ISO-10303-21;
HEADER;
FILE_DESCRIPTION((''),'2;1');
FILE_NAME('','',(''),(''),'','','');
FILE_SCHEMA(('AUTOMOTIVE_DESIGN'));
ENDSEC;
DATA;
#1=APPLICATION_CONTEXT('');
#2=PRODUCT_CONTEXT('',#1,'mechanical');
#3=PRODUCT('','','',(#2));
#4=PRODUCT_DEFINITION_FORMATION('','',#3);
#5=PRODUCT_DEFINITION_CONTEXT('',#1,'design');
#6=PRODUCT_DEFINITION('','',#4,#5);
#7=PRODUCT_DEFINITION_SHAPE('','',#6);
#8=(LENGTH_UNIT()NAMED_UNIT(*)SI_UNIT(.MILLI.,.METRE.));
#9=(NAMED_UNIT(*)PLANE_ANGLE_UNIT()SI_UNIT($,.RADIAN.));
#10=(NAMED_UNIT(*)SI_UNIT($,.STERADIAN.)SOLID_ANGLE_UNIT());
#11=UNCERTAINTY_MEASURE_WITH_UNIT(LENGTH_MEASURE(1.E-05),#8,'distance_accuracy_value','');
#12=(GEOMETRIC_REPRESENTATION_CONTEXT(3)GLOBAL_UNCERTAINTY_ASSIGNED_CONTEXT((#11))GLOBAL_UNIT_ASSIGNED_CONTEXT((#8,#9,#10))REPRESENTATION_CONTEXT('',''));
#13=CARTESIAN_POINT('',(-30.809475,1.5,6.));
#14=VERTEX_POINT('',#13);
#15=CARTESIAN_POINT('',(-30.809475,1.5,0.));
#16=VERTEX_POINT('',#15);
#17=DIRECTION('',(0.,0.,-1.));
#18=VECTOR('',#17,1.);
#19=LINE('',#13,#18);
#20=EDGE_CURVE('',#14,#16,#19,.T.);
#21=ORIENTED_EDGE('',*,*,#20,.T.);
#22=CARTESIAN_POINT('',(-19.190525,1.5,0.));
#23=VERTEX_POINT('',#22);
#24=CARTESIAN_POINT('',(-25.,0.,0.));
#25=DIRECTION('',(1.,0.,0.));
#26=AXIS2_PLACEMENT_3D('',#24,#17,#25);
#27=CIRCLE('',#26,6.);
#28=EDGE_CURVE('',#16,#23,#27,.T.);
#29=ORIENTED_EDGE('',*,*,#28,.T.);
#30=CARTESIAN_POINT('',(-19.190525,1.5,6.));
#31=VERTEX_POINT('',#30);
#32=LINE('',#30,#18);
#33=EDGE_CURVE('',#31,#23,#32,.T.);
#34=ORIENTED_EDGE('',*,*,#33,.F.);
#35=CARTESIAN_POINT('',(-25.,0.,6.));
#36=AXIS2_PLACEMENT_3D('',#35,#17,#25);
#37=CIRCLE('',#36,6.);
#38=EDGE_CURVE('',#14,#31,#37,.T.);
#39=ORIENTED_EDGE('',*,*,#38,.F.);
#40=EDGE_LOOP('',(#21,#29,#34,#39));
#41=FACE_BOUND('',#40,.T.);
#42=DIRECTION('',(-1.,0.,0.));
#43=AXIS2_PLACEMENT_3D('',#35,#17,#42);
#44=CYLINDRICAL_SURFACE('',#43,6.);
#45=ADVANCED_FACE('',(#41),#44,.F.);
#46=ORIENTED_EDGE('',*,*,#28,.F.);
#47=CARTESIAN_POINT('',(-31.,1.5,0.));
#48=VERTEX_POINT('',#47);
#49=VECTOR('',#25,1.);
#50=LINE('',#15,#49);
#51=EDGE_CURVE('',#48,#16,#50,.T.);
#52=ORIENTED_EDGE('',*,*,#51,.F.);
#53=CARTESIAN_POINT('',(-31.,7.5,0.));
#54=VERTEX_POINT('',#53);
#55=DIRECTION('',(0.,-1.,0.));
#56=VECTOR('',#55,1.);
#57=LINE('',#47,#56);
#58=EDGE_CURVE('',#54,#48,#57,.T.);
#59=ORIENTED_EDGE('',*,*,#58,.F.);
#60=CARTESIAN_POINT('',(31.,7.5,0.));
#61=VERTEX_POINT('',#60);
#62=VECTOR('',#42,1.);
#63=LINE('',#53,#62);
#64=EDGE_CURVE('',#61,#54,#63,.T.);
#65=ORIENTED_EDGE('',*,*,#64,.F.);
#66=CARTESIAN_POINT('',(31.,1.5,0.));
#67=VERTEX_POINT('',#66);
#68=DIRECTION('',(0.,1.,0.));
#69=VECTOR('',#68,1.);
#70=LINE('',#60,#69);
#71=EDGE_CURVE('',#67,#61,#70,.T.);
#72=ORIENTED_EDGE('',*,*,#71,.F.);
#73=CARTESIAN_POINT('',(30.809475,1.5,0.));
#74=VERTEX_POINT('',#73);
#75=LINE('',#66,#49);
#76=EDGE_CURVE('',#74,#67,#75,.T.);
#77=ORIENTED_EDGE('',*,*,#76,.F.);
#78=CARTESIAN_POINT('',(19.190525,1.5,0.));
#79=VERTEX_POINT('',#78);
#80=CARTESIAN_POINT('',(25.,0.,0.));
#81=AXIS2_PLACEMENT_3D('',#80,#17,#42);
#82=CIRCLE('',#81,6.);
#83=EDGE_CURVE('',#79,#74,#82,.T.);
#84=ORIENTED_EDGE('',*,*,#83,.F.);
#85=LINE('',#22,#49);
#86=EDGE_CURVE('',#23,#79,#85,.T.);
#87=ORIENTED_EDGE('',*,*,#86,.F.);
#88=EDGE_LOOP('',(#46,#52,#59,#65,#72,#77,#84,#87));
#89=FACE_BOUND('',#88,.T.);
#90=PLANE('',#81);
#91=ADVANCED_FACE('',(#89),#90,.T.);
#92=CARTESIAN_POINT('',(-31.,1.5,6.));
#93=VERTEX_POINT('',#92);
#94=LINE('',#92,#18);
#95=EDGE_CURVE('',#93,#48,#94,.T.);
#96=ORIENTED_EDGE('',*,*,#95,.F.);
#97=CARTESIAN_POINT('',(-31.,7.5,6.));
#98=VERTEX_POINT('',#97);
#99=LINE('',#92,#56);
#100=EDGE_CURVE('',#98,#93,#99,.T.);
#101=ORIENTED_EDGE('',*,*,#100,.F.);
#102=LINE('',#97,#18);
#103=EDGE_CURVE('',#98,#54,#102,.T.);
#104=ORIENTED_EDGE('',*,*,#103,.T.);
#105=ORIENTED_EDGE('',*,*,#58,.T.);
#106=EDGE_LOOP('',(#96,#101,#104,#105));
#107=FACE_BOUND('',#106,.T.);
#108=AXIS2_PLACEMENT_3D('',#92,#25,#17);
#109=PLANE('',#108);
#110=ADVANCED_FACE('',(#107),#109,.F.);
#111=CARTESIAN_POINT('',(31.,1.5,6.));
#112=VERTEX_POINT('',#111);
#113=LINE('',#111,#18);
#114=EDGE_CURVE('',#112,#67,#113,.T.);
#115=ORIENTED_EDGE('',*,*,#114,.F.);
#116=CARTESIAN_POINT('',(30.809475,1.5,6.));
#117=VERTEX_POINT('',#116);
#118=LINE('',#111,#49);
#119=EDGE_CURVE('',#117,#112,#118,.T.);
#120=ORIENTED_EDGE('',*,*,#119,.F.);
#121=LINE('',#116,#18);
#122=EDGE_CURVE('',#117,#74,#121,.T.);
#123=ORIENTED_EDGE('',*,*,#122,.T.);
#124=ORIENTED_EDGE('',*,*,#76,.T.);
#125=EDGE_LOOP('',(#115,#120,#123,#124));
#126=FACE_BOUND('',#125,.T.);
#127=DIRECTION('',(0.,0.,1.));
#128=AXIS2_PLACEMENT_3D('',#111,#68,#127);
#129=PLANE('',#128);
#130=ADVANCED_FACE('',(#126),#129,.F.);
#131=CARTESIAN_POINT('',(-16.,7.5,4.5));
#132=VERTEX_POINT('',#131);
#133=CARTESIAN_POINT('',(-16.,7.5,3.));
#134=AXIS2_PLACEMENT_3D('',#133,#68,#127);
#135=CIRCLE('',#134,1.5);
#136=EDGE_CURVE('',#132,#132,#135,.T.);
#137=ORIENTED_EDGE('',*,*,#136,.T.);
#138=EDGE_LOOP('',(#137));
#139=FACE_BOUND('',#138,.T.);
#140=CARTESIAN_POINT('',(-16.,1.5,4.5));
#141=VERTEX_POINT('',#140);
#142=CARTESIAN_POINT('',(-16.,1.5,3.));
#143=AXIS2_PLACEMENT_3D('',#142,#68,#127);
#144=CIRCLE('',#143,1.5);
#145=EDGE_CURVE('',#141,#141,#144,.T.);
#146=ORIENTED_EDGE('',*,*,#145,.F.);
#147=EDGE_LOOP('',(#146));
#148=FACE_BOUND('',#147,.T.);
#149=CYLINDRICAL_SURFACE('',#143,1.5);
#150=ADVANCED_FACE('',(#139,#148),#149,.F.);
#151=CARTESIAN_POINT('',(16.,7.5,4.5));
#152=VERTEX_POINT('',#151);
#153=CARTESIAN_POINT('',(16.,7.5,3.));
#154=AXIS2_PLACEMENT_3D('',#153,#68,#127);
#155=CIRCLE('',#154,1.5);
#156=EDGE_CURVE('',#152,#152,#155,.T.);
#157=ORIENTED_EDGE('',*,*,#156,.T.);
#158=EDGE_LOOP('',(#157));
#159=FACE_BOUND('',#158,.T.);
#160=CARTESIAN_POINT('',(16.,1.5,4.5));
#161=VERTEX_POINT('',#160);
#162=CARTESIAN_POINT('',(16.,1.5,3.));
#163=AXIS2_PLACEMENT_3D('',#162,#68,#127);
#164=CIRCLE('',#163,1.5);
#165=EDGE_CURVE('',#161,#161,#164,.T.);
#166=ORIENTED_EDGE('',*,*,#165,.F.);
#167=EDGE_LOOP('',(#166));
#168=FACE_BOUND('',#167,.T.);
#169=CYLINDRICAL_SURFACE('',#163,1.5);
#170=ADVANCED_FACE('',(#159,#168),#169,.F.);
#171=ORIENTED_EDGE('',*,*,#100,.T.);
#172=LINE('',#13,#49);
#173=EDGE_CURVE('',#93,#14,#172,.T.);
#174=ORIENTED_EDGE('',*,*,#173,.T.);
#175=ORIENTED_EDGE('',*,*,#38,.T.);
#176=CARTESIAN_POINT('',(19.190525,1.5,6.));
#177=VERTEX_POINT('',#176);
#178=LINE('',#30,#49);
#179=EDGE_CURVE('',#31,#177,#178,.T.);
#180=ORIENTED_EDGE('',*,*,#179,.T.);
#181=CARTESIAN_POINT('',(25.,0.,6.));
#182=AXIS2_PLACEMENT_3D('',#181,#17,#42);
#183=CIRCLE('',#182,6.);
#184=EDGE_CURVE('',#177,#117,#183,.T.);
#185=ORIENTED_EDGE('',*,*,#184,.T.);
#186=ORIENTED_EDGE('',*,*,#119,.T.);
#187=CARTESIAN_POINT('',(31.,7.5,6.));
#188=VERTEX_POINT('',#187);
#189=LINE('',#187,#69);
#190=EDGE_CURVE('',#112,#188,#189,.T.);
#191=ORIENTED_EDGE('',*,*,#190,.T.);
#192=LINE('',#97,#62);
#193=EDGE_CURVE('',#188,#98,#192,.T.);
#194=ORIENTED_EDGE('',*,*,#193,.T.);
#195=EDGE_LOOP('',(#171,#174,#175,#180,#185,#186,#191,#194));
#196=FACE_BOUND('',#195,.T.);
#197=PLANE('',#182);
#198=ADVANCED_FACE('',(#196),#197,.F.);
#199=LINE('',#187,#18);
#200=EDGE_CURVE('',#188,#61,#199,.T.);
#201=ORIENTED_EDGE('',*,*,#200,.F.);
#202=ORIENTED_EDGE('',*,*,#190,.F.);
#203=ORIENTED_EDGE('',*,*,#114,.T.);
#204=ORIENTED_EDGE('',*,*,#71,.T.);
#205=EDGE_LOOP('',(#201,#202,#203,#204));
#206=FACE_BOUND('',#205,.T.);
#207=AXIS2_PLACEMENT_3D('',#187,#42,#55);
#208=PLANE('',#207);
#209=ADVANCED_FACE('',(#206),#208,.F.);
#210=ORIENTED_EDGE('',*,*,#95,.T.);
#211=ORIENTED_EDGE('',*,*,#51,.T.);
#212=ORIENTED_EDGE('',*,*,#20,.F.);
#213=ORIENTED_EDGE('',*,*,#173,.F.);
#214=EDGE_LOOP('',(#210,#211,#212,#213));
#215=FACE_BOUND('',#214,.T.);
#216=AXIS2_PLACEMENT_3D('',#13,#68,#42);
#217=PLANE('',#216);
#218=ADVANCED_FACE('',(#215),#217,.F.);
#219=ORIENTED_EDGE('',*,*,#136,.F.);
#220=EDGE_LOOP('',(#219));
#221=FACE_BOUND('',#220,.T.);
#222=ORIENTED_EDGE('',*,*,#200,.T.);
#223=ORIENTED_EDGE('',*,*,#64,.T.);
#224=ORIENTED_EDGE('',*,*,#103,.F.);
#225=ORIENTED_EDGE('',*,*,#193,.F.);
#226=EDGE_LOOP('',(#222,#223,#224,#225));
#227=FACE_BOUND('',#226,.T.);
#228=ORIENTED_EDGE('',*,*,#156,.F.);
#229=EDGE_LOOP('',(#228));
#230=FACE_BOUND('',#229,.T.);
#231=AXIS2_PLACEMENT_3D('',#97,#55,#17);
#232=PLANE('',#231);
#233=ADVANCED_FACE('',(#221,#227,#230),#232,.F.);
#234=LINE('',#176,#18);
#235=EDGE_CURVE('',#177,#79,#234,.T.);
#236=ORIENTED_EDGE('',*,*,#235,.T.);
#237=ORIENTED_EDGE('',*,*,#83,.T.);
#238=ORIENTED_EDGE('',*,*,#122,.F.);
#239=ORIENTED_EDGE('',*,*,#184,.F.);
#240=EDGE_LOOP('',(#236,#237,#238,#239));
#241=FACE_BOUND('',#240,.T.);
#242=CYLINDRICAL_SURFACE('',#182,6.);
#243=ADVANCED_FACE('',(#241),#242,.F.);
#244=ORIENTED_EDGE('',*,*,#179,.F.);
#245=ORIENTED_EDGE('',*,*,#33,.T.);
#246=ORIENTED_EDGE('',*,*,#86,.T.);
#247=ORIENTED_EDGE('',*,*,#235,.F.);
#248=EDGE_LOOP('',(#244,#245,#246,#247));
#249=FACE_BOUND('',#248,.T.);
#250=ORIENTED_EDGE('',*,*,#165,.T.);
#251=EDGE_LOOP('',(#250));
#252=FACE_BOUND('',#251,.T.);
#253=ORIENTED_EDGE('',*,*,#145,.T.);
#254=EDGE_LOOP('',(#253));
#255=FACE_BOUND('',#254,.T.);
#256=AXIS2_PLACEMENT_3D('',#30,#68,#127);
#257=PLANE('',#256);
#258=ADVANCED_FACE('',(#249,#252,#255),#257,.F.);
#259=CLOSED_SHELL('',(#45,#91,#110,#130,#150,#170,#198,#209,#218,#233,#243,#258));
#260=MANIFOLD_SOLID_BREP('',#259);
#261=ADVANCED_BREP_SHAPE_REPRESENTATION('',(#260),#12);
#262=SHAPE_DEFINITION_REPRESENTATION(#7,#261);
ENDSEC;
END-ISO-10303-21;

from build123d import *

# Parameters (mm, degrees)
BOSS_EXTRU_1_DEPTH      = 6
ESQUISSE2_R             = 1.5
ENL_V_MAT_EXTRU_1_DEPTH = 6


with BuildPart() as part:
    # Esquisse1 → Boss.-Extru.1 (new body)
    with BuildSketch(Plane.XY):
        with BuildLine():
            Line((-31, 1.5), (-31, 7.5))
            Line((-31, 7.5), (31, 7.5))
            Line((31, 7.5), (31, 1.5))
            Line((31, 1.5), (30.809475019, 1.5))
            ThreePointArc((30.809475019, 1.5), (25, 6), (19.190524981, 1.5))
            Line((19.190524981, 1.5), (-19.190524981, 1.5))
            ThreePointArc((-19.190524981, 1.5), (-25, 6), (-30.809475019, 1.5))
            Line((-30.809475019, 1.5), (-31, 1.5))
        make_face()
    extrude(amount=BOSS_EXTRU_1_DEPTH)

    # Esquisse2 → Enlèv. mat.-Extru.1 (cut)
    with BuildSketch(Plane(origin=(0, 7.5, 0), x_dir=(1, 0, 0), z_dir=(0, 1, 0))):
        with Locations(Location((-16, -3, 0), (0, 0, 270))):
            Circle(ESQUISSE2_R)
        with Locations(Location((16, -3, 0), (0, 0, 270))):
            Circle(ESQUISSE2_R)
    extrude(amount=-ENL_V_MAT_EXTRU_1_DEPTH, mode=Mode.SUBTRACT)


solid = part.part
